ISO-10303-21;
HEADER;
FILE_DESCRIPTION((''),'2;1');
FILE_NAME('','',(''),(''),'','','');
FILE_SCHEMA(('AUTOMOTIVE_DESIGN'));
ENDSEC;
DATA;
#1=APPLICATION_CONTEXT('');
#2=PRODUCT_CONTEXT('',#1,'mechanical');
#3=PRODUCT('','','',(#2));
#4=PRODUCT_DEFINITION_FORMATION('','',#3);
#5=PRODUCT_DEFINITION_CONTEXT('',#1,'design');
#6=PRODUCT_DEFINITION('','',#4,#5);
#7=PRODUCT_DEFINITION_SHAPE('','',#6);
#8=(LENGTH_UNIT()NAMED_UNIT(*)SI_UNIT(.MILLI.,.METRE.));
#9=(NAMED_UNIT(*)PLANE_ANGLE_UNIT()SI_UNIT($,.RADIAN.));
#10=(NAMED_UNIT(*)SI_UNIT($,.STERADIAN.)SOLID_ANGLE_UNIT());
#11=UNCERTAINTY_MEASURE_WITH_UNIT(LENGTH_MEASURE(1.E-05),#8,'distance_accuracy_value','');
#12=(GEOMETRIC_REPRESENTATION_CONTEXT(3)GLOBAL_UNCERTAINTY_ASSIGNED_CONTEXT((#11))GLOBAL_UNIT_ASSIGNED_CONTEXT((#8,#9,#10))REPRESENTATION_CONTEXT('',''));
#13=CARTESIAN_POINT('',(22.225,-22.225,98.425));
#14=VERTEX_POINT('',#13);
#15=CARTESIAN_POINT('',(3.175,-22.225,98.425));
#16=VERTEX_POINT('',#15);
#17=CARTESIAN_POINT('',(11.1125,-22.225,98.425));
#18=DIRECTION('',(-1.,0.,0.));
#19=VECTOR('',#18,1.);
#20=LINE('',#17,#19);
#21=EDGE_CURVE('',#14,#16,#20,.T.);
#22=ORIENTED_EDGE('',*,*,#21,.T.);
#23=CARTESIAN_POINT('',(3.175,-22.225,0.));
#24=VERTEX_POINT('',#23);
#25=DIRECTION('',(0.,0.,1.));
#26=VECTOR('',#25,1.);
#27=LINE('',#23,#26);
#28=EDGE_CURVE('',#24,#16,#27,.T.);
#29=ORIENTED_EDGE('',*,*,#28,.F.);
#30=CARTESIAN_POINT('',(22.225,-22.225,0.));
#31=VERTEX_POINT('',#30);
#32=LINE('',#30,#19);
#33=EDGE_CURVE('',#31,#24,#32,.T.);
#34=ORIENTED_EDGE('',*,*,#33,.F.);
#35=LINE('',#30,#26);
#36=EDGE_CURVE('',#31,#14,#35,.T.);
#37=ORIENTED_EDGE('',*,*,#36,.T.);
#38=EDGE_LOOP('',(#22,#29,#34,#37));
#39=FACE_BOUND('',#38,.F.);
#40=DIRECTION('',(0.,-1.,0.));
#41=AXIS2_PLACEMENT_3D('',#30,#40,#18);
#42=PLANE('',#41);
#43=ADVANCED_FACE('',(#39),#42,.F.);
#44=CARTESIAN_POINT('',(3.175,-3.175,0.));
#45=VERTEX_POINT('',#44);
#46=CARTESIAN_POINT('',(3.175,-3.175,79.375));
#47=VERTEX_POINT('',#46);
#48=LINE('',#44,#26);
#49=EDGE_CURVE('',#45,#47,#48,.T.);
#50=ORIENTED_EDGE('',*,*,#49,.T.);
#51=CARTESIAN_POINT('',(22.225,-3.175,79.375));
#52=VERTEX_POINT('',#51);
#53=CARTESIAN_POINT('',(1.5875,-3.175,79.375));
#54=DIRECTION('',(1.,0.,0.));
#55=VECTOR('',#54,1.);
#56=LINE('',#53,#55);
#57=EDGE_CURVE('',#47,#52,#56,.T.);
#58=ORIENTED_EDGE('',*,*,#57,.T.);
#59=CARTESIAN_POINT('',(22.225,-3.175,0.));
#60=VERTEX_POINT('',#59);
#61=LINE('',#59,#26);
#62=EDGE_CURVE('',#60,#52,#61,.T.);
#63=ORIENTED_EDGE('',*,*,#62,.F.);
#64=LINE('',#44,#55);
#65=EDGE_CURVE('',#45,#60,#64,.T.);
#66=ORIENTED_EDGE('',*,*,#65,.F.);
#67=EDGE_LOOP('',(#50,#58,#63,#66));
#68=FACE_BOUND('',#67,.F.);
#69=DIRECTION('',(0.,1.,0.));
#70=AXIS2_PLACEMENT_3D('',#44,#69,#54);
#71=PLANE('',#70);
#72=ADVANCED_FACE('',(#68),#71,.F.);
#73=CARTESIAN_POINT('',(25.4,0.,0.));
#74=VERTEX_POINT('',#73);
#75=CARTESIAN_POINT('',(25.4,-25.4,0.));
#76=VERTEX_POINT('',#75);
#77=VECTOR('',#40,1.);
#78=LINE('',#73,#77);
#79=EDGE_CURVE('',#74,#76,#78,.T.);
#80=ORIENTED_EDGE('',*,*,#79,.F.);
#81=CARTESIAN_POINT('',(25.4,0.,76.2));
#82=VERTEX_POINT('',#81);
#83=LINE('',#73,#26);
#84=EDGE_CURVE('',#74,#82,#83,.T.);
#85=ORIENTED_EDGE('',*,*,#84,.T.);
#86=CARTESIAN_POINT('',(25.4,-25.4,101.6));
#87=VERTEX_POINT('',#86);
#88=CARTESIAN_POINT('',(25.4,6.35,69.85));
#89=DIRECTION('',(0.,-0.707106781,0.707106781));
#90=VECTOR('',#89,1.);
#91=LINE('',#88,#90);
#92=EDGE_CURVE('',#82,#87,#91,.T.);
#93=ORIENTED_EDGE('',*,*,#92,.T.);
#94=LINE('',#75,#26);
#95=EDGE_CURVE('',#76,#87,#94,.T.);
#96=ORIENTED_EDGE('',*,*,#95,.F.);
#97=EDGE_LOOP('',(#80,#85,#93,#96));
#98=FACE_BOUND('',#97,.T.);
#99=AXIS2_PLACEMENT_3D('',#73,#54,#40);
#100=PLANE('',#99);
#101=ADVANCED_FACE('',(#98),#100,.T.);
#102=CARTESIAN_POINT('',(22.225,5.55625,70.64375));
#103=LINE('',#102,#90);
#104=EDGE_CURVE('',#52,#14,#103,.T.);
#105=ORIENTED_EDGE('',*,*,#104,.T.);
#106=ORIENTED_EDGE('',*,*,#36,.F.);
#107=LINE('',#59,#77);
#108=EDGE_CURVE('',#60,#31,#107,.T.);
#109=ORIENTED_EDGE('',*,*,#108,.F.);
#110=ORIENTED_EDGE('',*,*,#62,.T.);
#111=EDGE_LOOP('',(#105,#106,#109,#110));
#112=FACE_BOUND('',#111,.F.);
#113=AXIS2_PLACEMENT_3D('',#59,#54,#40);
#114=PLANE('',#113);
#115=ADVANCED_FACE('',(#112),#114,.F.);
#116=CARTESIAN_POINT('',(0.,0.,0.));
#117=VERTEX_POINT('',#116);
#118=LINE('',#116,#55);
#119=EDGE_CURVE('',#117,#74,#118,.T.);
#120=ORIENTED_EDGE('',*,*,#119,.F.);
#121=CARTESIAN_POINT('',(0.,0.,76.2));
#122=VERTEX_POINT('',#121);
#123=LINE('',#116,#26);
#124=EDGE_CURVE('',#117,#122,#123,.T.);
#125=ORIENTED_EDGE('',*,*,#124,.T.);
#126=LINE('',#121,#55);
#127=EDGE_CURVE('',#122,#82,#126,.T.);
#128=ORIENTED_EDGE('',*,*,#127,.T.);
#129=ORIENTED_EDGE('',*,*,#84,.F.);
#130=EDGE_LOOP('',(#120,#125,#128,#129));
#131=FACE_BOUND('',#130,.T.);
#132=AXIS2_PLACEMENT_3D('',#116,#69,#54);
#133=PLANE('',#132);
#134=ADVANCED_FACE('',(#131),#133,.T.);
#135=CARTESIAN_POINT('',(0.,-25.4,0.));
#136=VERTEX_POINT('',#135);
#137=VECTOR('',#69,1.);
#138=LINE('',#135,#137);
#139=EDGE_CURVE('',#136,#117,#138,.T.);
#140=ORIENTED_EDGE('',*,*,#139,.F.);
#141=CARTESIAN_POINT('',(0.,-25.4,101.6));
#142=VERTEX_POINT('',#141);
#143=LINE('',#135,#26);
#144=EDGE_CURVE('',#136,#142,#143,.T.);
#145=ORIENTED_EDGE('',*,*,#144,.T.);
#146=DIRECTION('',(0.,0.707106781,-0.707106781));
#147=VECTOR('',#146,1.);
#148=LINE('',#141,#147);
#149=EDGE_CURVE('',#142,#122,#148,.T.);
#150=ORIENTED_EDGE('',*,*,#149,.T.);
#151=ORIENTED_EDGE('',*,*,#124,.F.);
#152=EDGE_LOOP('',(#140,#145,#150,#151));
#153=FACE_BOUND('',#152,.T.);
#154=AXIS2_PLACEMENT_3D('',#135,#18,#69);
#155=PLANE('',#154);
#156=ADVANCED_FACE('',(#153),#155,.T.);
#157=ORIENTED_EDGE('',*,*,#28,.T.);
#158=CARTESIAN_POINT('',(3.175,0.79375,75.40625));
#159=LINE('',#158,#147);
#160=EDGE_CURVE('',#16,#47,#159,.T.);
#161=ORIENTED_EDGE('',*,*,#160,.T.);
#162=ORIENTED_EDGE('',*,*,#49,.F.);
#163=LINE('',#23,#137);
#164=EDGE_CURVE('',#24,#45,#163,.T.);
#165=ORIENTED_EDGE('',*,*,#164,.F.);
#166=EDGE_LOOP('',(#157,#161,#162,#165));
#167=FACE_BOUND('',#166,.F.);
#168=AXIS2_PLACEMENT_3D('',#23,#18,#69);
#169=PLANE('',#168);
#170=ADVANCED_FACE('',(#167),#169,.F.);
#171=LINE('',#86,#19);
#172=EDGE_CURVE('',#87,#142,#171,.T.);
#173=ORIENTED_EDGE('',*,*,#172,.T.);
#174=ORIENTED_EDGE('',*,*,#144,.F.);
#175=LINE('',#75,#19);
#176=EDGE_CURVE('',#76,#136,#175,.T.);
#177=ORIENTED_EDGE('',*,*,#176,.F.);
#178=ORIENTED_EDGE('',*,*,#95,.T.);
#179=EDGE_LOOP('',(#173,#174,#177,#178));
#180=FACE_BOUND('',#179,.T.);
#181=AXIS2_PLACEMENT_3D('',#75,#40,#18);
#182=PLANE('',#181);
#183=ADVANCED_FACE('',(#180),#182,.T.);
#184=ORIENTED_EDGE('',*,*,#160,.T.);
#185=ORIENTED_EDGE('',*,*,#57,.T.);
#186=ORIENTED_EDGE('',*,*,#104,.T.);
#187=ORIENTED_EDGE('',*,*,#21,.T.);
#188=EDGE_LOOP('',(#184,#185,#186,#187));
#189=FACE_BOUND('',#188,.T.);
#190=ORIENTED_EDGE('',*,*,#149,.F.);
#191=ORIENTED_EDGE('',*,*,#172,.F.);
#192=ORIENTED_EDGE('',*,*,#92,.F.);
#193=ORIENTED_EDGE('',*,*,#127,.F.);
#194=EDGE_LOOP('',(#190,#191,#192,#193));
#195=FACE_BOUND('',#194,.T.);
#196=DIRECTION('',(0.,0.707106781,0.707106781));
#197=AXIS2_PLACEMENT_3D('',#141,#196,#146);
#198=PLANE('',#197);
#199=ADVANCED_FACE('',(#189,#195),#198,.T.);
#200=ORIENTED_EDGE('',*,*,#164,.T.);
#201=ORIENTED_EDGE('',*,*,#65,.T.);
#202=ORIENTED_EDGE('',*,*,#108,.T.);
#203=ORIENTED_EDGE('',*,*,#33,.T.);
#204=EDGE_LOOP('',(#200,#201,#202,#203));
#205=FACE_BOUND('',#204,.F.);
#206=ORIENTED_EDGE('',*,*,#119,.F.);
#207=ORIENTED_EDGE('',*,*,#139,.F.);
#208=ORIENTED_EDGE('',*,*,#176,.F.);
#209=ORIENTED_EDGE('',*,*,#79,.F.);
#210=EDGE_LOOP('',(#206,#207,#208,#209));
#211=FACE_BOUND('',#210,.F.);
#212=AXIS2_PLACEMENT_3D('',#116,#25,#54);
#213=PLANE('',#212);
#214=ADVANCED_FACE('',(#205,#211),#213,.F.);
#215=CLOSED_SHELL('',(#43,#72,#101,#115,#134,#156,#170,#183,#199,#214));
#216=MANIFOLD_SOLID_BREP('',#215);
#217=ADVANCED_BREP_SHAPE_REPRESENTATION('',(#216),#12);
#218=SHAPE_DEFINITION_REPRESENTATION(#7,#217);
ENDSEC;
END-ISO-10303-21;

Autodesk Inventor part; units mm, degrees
ref_plane "YZ Plane" through (0, 0, 0) normal (1, 0, 0) x (0, 1, 0)
ref_plane "XZ Plane" through (0, 0, 0) normal (0, 1, 0) x (-1, 0, 0)
ref_plane "XY Plane" through (0, 0, 0) normal (0, 0, 1) x (1, 0, 0)
sketch "Sketch1" plane through (0, 0, 0) normal (0, 0, 1) x (1, 0, 0)
  line L0 (0, 0) -> (25.4, 0)
  line L1 (25.4, 0) -> (25.4, -25.4)
  line L2 (25.4, -25.4) -> (0, -25.4)
  line L3 (0, -25.4) -> (0, 0)
  line L4 (3.175, -3.175) -> (22.225, -3.175)
  line L5 (22.225, -3.175) -> (22.225, -22.225)
  line L6 (22.225, -22.225) -> (3.175, -22.225)
  line L7 (3.175, -22.225) -> (3.175, -3.175)
  dimension "d0" = 25.4
  dimension "d1" = 25.4
  dimension "d2" = 19.05
  dimension "d3" = 19.05
  dimension "d4" = 3.175
  dimension "d5" = 3.175
extrude "Extrusion1" add sketch "Sketch1" along normal blind 101.6
sketch "Sketch2" plane through (0, -25.4, 0) normal (-1, 0, 0) x (0, 0, 1)
  line L0 (101.6, 25.4) -> (101.6, 0) projected
  line L1 (101.6, 0) -> (76.2, 25.4)
  line L2 (0, 25.4) -> (101.6, 25.4) projected
  line L3 (101.6, 0) -> (137.521, 0) construction
  line L4 (76.2, 25.4) -> (101.6, 25.4)
  line L5 (101.6, 25.4) -> (101.6, 0)
  dimension "d8" = 135
extrude "Extrusion2" cut sketch "Sketch2" against normal blind 76.2
properties part number "1x1 mechanical stop" material "Aluminum 6061"
